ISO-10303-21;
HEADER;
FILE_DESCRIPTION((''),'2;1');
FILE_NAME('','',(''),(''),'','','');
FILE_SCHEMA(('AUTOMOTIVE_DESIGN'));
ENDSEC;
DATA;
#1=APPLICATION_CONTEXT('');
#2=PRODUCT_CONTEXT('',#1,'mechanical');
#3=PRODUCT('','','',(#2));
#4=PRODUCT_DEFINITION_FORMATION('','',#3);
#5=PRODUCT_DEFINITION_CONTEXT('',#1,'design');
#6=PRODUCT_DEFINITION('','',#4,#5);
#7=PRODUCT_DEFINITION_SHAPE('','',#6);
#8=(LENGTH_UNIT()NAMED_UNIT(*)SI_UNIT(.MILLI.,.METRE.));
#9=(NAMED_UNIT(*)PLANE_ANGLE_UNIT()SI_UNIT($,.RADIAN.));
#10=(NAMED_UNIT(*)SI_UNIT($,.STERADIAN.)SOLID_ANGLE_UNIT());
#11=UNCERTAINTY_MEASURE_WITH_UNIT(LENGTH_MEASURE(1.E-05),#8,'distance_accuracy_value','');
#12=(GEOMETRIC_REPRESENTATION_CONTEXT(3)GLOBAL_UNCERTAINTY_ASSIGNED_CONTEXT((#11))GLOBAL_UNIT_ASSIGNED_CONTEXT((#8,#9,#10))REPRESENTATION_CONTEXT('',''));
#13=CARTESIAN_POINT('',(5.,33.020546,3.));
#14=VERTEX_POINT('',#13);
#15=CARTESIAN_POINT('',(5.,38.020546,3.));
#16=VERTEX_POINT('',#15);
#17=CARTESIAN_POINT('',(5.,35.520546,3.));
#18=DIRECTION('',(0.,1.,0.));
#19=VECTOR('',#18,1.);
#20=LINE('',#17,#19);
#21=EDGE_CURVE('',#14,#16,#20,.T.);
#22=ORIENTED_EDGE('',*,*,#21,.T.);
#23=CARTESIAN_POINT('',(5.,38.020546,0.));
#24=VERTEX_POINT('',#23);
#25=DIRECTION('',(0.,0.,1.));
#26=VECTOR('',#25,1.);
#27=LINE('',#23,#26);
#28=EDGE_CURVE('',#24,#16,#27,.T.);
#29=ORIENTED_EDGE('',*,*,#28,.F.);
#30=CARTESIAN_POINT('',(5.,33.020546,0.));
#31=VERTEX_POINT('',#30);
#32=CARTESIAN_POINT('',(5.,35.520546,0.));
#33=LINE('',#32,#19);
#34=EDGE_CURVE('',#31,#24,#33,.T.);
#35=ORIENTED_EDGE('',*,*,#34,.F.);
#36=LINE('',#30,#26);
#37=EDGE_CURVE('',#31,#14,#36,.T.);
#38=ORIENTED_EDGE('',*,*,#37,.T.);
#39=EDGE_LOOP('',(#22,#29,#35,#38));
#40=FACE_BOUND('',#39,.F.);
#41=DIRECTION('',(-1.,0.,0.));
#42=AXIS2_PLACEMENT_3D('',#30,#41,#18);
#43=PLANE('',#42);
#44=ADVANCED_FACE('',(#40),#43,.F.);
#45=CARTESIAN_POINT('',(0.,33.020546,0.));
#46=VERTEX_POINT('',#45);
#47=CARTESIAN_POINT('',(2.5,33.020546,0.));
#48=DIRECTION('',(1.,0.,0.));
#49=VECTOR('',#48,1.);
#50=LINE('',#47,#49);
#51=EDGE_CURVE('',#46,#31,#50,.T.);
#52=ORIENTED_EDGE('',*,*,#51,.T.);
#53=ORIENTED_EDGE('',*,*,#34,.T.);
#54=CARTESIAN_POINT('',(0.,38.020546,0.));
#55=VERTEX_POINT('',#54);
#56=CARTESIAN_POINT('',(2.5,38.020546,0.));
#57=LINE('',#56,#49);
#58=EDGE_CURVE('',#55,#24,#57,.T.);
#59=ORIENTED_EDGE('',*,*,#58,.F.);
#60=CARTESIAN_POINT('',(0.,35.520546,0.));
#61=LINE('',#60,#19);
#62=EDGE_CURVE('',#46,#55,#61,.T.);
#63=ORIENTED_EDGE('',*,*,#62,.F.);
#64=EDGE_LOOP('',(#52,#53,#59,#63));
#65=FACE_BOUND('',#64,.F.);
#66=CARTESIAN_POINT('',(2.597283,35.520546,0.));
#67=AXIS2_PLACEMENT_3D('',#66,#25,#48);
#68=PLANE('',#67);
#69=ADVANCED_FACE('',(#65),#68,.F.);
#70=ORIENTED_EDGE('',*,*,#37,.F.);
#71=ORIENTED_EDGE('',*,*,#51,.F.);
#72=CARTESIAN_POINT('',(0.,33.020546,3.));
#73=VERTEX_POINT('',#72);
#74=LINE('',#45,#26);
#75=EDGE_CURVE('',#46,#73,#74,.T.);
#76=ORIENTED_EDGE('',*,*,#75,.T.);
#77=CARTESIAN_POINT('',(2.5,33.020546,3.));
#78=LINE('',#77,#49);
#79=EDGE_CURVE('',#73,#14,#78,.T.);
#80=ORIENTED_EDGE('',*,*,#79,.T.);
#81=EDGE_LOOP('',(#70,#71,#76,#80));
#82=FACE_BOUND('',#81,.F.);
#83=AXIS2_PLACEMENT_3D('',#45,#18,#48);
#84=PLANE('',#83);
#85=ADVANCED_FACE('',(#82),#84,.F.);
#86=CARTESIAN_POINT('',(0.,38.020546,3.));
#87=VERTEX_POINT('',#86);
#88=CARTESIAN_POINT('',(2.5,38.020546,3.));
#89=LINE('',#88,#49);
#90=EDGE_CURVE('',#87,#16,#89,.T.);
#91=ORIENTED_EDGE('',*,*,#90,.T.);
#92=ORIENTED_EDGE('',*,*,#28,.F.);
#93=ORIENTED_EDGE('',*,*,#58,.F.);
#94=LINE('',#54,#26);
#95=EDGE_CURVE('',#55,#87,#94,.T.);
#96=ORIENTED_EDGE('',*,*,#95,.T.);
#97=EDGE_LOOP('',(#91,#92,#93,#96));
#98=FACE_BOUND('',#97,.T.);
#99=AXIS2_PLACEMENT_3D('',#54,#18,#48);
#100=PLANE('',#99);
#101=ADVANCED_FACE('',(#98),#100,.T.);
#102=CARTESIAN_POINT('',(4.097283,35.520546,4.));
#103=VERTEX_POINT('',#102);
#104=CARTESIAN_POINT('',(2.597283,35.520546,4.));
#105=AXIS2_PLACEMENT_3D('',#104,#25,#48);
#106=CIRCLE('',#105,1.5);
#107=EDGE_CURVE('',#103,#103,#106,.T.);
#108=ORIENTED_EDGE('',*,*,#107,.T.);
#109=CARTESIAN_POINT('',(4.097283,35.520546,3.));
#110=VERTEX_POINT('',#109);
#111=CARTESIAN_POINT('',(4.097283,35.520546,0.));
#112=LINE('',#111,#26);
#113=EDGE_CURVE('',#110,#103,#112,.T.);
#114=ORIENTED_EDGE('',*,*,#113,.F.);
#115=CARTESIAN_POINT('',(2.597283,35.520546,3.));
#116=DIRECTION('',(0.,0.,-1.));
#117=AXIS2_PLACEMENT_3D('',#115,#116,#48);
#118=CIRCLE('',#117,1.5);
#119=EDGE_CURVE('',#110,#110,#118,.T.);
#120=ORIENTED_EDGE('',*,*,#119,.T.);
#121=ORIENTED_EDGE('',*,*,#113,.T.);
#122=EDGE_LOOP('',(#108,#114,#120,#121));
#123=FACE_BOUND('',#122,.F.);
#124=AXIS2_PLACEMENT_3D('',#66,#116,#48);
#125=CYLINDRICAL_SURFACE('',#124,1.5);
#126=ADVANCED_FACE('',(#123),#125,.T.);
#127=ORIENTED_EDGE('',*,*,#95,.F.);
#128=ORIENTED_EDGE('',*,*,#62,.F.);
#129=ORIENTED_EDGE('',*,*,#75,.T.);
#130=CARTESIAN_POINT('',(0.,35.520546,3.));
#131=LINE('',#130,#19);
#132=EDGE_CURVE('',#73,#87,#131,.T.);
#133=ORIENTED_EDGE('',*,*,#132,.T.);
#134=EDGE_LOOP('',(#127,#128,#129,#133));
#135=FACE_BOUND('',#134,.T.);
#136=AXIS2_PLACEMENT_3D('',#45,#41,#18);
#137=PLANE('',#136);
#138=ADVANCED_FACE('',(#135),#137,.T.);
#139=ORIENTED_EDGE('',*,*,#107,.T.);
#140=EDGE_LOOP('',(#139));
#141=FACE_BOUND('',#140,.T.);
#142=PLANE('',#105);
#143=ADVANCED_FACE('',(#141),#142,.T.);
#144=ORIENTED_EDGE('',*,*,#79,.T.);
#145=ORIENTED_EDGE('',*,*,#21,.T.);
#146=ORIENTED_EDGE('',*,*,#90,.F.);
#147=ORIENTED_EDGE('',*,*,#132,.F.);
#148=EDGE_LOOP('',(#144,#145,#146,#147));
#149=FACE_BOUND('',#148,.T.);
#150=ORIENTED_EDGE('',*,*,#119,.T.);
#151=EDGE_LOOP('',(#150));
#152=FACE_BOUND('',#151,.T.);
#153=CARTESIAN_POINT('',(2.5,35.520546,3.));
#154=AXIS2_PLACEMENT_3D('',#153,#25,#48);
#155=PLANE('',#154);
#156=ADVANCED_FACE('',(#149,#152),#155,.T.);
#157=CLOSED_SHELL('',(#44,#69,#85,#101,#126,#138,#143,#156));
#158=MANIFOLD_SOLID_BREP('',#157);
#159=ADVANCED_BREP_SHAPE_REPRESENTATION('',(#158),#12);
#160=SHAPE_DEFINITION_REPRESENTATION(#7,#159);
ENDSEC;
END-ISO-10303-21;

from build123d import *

# Parameters (mm, degrees)
F0_W     = 5
F0_H     = 5
F0_R     = 1.5
F1_DEPTH = 3
F2_DEPTH = 4


with BuildPart() as f1:
    # F0 (on Top) → F1 (new body)
    with BuildSketch(Plane.XY):
        with Locations((2.5, 35.520546)):
            Rectangle(F0_W, F0_H)
        with Locations((2.597283, 35.520546)):
            Circle(F0_R, mode=Mode.SUBTRACT)
        with Locations((2.597283, 35.520546)):
            Circle(F0_R)
    extrude(amount=F1_DEPTH)

    # F0 (on Top) → F2 (join)
    with BuildSketch(Plane.XY):
        with Locations((2.597283, 35.520546)):
            Circle(F0_R)
    extrude(amount=F2_DEPTH)


solid = f1.part
